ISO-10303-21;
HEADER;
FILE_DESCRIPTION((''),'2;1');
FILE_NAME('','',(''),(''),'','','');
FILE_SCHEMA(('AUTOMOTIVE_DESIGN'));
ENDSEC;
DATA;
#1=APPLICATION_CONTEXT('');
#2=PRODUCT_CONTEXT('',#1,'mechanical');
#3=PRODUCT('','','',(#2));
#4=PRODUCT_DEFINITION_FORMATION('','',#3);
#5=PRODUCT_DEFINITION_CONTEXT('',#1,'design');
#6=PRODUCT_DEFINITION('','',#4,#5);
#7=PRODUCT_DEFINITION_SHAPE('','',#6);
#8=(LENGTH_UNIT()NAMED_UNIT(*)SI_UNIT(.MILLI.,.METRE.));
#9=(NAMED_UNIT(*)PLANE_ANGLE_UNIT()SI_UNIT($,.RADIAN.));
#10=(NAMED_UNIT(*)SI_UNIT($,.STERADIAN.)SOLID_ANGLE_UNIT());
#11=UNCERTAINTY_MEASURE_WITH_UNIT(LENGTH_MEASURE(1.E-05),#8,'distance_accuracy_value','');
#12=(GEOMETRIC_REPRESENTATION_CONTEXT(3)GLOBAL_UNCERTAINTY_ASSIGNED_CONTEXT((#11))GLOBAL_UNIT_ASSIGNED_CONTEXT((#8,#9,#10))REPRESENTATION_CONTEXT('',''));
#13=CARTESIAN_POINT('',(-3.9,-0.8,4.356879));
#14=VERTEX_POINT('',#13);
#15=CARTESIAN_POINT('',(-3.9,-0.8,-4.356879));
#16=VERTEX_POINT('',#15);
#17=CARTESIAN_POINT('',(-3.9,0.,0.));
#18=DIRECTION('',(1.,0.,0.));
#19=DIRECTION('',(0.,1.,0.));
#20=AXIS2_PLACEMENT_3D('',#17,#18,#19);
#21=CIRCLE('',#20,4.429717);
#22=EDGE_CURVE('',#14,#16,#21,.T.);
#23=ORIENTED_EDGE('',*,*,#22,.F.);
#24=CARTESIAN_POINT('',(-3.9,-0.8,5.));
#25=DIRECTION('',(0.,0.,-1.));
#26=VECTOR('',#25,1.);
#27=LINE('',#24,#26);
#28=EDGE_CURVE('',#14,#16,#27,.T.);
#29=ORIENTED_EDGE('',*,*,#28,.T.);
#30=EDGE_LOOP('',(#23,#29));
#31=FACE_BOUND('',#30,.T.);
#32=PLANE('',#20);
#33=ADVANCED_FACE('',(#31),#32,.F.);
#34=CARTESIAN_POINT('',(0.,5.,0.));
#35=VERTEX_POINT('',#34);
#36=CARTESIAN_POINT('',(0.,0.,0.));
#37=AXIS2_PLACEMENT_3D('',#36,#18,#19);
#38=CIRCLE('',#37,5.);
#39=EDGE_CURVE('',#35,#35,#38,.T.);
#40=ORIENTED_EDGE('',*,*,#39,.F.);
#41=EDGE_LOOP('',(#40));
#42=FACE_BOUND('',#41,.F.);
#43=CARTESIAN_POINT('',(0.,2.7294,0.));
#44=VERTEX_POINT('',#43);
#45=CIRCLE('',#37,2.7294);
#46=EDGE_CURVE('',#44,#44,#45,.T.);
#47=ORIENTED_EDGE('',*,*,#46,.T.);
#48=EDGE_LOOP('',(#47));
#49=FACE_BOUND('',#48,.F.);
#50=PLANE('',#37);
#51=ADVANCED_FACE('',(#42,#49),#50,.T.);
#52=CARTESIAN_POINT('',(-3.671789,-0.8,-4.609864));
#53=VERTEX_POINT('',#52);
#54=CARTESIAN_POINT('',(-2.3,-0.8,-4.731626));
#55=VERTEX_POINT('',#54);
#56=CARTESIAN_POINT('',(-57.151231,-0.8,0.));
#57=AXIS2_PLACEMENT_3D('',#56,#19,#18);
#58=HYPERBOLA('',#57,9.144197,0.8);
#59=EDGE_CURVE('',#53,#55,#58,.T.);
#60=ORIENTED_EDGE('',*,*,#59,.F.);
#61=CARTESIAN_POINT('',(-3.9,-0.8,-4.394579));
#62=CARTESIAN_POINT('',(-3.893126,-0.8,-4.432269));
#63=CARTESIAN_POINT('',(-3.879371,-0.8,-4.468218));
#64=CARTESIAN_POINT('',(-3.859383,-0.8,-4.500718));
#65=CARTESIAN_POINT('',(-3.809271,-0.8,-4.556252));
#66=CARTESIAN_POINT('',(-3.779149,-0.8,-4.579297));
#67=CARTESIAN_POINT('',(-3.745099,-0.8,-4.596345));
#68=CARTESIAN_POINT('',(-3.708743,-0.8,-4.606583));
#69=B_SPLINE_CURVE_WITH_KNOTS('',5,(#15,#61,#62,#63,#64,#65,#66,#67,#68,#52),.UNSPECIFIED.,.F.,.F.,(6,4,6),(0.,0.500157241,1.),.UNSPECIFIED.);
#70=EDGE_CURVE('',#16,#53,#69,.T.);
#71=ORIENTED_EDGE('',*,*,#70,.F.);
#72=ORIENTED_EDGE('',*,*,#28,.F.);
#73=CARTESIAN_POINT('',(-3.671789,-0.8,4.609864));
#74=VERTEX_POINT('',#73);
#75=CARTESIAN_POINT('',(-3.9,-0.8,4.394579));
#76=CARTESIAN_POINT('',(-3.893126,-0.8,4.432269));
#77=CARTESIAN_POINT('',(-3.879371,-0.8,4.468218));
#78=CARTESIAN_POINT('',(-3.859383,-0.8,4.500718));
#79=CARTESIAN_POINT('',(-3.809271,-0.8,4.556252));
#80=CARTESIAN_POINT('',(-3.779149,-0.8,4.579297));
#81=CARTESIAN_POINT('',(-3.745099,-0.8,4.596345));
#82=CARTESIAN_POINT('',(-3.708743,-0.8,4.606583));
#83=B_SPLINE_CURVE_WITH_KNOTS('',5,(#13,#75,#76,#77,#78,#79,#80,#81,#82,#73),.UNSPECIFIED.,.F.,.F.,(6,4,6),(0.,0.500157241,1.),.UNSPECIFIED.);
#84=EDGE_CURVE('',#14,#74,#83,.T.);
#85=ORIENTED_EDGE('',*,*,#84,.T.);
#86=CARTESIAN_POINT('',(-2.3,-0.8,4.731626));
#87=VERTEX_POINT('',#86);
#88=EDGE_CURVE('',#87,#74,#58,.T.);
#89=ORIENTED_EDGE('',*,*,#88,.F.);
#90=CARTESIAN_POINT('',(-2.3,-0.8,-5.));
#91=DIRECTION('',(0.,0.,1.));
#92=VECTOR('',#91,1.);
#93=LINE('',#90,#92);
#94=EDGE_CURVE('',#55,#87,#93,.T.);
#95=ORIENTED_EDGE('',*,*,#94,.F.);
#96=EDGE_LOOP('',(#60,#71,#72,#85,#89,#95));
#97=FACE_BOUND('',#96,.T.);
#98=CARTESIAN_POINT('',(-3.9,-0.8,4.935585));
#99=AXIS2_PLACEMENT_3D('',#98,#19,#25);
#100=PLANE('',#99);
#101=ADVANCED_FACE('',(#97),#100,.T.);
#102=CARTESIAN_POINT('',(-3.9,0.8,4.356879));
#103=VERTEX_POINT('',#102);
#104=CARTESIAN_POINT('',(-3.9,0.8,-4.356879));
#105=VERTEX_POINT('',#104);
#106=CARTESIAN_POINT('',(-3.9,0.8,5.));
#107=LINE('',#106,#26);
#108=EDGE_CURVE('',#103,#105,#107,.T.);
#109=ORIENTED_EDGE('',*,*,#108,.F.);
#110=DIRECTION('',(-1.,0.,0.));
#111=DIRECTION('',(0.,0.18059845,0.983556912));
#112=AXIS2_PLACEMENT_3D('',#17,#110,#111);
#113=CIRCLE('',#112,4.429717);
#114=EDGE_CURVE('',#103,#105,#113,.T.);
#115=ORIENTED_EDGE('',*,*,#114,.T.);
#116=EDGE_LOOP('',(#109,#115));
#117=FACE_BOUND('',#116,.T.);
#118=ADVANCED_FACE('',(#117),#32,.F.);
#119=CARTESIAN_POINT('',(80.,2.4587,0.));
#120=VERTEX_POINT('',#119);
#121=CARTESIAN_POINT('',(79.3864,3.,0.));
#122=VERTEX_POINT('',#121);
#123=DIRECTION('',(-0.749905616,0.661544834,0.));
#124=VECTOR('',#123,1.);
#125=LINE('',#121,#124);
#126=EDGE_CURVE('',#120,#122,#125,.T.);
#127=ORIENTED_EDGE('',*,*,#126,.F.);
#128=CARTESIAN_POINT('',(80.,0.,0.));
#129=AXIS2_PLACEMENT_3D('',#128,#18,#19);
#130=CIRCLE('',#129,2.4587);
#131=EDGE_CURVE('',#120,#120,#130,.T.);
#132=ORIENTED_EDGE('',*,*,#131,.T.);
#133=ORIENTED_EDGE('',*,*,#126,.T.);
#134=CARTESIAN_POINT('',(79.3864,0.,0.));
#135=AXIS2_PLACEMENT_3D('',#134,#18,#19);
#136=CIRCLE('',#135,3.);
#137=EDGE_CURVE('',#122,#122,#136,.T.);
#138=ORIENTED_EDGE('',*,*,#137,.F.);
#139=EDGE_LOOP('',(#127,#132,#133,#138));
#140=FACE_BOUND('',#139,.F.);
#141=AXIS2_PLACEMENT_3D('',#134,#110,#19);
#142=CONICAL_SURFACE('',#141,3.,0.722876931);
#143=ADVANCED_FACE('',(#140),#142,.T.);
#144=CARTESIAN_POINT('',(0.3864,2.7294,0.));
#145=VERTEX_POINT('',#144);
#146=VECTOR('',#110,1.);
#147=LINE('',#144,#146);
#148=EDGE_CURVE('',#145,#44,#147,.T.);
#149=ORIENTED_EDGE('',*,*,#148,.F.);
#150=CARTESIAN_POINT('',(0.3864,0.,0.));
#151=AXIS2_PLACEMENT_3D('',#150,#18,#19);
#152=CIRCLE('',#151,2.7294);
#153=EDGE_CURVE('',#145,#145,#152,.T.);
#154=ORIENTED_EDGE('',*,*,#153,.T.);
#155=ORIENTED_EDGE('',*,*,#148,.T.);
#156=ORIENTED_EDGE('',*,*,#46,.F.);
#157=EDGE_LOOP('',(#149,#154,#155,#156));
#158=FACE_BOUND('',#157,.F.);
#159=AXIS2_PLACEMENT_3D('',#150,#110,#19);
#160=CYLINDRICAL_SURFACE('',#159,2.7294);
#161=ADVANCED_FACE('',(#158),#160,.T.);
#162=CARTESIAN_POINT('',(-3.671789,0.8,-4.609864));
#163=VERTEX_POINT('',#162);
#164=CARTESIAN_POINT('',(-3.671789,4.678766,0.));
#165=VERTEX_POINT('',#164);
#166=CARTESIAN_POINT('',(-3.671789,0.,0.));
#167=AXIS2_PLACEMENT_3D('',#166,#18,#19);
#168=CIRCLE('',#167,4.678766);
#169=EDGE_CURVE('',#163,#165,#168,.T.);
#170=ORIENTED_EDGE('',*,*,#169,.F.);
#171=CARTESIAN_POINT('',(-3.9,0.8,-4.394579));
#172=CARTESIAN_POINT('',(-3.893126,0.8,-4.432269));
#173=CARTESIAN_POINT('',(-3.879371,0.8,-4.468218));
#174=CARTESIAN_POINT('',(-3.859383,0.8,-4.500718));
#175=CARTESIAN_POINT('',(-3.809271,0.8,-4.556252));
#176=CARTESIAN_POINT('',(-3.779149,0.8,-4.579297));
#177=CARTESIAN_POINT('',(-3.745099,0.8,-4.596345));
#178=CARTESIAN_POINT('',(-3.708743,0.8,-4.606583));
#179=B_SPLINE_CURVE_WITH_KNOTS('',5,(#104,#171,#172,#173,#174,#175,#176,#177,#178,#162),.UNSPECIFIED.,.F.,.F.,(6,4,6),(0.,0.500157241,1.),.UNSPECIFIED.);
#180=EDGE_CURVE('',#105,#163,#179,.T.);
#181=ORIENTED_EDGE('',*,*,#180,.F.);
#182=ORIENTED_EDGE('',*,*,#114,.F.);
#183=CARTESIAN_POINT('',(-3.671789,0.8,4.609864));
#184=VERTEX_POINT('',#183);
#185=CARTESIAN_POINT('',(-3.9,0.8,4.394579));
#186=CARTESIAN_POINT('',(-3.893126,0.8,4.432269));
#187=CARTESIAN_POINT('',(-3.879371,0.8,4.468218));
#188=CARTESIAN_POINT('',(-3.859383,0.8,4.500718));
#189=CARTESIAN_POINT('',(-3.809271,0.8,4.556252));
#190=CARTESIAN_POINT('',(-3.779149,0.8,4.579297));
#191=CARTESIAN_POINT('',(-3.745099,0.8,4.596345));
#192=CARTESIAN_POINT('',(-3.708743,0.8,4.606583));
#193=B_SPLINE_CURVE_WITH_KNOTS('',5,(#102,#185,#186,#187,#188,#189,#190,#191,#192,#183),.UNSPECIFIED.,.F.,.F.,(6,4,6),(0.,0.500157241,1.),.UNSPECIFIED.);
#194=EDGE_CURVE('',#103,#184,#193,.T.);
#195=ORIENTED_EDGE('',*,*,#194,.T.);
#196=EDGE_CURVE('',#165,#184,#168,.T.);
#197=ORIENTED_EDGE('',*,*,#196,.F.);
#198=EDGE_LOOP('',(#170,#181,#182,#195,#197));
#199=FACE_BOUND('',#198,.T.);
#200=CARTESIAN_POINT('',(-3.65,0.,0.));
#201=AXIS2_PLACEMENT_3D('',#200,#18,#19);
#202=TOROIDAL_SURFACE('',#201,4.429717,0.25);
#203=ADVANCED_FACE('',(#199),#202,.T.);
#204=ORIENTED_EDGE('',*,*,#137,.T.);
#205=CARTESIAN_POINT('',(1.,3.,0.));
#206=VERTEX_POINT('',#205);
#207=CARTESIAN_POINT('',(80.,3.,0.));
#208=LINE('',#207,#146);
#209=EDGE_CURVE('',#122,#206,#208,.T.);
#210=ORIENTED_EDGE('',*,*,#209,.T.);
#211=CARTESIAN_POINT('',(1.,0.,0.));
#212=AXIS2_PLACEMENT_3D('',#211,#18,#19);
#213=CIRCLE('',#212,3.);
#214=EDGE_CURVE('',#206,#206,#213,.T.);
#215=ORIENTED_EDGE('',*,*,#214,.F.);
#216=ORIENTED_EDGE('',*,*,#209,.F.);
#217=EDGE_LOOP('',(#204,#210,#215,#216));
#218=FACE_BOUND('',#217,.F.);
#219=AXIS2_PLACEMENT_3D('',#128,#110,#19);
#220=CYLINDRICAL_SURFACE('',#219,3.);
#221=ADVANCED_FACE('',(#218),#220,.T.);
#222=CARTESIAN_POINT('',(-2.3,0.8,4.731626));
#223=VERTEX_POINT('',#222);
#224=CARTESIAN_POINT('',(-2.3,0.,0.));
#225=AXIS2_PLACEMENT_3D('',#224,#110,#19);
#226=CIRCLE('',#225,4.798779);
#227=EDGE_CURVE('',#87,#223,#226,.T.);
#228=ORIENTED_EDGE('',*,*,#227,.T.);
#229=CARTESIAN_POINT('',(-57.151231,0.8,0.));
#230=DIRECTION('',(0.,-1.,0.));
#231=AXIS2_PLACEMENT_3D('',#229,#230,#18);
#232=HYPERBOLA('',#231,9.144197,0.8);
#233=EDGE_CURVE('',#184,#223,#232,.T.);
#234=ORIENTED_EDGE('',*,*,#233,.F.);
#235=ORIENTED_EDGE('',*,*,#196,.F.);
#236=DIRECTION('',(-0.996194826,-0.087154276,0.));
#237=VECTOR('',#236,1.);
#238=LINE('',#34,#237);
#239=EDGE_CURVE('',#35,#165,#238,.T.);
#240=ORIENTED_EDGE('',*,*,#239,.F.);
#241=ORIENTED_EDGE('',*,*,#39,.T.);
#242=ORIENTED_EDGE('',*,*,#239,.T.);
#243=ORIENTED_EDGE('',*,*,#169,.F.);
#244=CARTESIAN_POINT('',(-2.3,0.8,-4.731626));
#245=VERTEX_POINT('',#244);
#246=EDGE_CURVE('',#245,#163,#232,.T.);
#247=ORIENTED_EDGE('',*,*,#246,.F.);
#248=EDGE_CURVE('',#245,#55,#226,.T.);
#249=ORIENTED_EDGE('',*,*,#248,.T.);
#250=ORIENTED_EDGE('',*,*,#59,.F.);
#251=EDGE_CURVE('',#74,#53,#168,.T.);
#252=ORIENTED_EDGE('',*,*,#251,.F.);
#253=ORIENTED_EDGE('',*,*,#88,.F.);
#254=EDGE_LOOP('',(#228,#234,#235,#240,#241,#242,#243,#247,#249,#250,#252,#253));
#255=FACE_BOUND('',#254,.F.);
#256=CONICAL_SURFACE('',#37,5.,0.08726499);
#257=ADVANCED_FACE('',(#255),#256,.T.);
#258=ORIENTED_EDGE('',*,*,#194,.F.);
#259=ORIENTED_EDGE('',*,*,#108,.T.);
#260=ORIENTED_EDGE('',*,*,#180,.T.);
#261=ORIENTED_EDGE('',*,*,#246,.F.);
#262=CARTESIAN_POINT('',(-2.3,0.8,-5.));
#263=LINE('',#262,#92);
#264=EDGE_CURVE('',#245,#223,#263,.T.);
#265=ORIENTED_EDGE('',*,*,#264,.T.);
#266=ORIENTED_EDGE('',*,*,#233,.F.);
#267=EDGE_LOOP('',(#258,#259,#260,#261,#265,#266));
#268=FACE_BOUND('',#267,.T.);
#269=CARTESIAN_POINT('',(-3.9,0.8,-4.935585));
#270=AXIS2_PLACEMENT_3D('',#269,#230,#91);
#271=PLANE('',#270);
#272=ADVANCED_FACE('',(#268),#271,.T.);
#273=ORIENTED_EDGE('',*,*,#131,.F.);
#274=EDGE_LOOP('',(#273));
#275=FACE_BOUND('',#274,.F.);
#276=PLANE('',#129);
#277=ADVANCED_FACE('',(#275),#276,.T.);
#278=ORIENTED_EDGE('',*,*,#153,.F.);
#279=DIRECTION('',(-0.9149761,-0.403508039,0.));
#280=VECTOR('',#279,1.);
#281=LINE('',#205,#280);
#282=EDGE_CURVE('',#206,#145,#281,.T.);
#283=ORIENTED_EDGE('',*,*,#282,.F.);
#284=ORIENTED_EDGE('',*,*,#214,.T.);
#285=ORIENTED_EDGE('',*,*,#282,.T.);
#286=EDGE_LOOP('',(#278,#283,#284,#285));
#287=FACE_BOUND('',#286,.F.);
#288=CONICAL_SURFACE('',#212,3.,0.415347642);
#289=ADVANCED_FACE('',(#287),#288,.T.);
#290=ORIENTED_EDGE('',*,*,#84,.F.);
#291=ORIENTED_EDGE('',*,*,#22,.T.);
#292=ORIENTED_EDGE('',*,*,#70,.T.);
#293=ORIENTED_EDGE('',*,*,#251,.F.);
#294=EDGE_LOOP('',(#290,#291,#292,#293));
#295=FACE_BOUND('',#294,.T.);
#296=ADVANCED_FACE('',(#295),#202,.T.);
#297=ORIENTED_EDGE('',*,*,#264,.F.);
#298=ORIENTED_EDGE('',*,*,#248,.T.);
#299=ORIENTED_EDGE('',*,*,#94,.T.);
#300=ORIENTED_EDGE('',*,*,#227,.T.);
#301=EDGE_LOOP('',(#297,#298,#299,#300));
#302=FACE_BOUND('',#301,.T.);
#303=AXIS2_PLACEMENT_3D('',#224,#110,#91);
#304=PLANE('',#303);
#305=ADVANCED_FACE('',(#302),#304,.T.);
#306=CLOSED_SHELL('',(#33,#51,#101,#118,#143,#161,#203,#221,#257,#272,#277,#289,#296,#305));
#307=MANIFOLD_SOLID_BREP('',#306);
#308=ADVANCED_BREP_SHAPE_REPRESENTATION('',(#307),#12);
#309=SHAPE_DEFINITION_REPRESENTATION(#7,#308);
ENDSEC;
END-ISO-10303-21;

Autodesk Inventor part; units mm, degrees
ref_plane "YZ Plane" through (0, 0, 0) normal (1, 0, 0) x (0, 1, 0)
ref_plane "XZ Plane" through (0, 0, 0) normal (0, 1, 0) x (-1, 0, 0)
sketch "Skizze1" plane through (0, 0, 0) normal (0, 0, 1) x (1, 0, 0)
  line L0 (-3.9, 0) -> (80, 0)
  line L1 (80, 0) -> (80, 3)
  line L2 (80, 3) -> (1, 3)
  line L3 (1, 3) -> (0.3864, 2.7294)
  line L4 (0.3864, 2.7294) -> (0, 2.7294)
  line L5 (0, 2.7294) -> (0, 5)
  line L6 (-20.68, 0) -> (96.78, 0) projected
  line L7 (0, -1) -> (0, 6) projected
  line L8 (-3.9, 0) -> (-3.9, 4.6588)
  line L9 (0, 5) -> (-3.9, 4.6588)
  line L10 (1, 3) -> (0, 3) construction
  dimension "d0" = 80
  dimension "d1" = 79
  dimension "d2" = 0.6136
  dimension "d3" = 3.9
  dimension "d4" = 6
  dimension "d5" = 5.4587
  dimension "d9" = 10
  dimension "d10" = 5
revolve "Körper" add sketch "Skizze1" angle 360 about axis through (-3.9, 0, 0) along (1, 0, 0)
sketch "Skizze2" plane through (-3.9, 0, 0) normal (-1, 0, 0) x (0, 0, 1)
  circle A0 centre (0, 0) radius 5 projected
  line L0 (0, 0) -> (0, 4.6588) projected
  line L1 (-5, 0.8) -> (5, 0.8)
  line L2 (5, 0.8) -> (5, -0.8)
  line L3 (5, -0.8) -> (-5, -0.8)
  line L4 (-5, -0.8) -> (-5, 0.8)
  line L5 (-5, 0) -> (5, 0) construction
  line L6 (0, 0.8) -> (0, -0.8) construction
  dimension "d11" = 1.6
  dimension "d12" = 10
fillet "Rundung1" radius 0.25 1 edges at (-3.9, -4.6588, 0)
extrude "Loch" cut sketch "Skizze2" against normal blind 1.6 contours A0 L3 L1 | L2 L3 A0 | A0 L1 L2 | A0 L4 L1 | L3 L4 A0
thread "Gewinde" size "M6x1" class "6g" standard "ISO Metric profile" full length
chamfer "Fase1" distance 0.5413 distance2 0.6136 1 edges at (80, -3, 0) measured on face at (80, 0.8631, 0.1984)
ref_plane "Work Plane1" through (30.1625, 0, 0) normal (0, 0, -1) x (1, 0, 0)
equation "\"d11\" = SBR"
equation "\"d12\" = KOD"
equation "\"d14\" = RR"
equation "\"d19\" = STI"
equation "\"d15\" = GEL"
equation "\"d17\" = -0.5 * SPD + 0.5 * GD"
equation "\"d3\" = KOH"
equation "\"d4\" = GD"
equation "\"d5\" = BDM"
equation "\"d9\" = KOD"
equation "\"d10\" = KEWI"
equation "\"GD\" = 6"
equation "\"GEL\" = 38"
equation "\"KOD\" = 10"
equation "\"KOH\" = 3.9"
equation "\"GAL\" = 0.61345 * PTC"
equation "\"SPD\" = 4.91747"
equation "\"BDM\" = 5.45873"
equation "\"GUL\" = 0.61345 * PTC"
equation "\"RR\" = 0.25"
equation "\"SBR\" = 1.6"
equation "\"STI\" = 1.6"
equation "\"KEWI\" = 5deg"
equation "\"PTC\" = 1"
equation "\"THREADDIA\" = 6"
equation "\"TOA\" = 30deg"
equation "\"NND\" = 6"
equation "\"GD1\" = THREADDIA - 1.2269 * PTC"
properties part number "DIN 84 - M6 x 60" material "Stahl, weich"
